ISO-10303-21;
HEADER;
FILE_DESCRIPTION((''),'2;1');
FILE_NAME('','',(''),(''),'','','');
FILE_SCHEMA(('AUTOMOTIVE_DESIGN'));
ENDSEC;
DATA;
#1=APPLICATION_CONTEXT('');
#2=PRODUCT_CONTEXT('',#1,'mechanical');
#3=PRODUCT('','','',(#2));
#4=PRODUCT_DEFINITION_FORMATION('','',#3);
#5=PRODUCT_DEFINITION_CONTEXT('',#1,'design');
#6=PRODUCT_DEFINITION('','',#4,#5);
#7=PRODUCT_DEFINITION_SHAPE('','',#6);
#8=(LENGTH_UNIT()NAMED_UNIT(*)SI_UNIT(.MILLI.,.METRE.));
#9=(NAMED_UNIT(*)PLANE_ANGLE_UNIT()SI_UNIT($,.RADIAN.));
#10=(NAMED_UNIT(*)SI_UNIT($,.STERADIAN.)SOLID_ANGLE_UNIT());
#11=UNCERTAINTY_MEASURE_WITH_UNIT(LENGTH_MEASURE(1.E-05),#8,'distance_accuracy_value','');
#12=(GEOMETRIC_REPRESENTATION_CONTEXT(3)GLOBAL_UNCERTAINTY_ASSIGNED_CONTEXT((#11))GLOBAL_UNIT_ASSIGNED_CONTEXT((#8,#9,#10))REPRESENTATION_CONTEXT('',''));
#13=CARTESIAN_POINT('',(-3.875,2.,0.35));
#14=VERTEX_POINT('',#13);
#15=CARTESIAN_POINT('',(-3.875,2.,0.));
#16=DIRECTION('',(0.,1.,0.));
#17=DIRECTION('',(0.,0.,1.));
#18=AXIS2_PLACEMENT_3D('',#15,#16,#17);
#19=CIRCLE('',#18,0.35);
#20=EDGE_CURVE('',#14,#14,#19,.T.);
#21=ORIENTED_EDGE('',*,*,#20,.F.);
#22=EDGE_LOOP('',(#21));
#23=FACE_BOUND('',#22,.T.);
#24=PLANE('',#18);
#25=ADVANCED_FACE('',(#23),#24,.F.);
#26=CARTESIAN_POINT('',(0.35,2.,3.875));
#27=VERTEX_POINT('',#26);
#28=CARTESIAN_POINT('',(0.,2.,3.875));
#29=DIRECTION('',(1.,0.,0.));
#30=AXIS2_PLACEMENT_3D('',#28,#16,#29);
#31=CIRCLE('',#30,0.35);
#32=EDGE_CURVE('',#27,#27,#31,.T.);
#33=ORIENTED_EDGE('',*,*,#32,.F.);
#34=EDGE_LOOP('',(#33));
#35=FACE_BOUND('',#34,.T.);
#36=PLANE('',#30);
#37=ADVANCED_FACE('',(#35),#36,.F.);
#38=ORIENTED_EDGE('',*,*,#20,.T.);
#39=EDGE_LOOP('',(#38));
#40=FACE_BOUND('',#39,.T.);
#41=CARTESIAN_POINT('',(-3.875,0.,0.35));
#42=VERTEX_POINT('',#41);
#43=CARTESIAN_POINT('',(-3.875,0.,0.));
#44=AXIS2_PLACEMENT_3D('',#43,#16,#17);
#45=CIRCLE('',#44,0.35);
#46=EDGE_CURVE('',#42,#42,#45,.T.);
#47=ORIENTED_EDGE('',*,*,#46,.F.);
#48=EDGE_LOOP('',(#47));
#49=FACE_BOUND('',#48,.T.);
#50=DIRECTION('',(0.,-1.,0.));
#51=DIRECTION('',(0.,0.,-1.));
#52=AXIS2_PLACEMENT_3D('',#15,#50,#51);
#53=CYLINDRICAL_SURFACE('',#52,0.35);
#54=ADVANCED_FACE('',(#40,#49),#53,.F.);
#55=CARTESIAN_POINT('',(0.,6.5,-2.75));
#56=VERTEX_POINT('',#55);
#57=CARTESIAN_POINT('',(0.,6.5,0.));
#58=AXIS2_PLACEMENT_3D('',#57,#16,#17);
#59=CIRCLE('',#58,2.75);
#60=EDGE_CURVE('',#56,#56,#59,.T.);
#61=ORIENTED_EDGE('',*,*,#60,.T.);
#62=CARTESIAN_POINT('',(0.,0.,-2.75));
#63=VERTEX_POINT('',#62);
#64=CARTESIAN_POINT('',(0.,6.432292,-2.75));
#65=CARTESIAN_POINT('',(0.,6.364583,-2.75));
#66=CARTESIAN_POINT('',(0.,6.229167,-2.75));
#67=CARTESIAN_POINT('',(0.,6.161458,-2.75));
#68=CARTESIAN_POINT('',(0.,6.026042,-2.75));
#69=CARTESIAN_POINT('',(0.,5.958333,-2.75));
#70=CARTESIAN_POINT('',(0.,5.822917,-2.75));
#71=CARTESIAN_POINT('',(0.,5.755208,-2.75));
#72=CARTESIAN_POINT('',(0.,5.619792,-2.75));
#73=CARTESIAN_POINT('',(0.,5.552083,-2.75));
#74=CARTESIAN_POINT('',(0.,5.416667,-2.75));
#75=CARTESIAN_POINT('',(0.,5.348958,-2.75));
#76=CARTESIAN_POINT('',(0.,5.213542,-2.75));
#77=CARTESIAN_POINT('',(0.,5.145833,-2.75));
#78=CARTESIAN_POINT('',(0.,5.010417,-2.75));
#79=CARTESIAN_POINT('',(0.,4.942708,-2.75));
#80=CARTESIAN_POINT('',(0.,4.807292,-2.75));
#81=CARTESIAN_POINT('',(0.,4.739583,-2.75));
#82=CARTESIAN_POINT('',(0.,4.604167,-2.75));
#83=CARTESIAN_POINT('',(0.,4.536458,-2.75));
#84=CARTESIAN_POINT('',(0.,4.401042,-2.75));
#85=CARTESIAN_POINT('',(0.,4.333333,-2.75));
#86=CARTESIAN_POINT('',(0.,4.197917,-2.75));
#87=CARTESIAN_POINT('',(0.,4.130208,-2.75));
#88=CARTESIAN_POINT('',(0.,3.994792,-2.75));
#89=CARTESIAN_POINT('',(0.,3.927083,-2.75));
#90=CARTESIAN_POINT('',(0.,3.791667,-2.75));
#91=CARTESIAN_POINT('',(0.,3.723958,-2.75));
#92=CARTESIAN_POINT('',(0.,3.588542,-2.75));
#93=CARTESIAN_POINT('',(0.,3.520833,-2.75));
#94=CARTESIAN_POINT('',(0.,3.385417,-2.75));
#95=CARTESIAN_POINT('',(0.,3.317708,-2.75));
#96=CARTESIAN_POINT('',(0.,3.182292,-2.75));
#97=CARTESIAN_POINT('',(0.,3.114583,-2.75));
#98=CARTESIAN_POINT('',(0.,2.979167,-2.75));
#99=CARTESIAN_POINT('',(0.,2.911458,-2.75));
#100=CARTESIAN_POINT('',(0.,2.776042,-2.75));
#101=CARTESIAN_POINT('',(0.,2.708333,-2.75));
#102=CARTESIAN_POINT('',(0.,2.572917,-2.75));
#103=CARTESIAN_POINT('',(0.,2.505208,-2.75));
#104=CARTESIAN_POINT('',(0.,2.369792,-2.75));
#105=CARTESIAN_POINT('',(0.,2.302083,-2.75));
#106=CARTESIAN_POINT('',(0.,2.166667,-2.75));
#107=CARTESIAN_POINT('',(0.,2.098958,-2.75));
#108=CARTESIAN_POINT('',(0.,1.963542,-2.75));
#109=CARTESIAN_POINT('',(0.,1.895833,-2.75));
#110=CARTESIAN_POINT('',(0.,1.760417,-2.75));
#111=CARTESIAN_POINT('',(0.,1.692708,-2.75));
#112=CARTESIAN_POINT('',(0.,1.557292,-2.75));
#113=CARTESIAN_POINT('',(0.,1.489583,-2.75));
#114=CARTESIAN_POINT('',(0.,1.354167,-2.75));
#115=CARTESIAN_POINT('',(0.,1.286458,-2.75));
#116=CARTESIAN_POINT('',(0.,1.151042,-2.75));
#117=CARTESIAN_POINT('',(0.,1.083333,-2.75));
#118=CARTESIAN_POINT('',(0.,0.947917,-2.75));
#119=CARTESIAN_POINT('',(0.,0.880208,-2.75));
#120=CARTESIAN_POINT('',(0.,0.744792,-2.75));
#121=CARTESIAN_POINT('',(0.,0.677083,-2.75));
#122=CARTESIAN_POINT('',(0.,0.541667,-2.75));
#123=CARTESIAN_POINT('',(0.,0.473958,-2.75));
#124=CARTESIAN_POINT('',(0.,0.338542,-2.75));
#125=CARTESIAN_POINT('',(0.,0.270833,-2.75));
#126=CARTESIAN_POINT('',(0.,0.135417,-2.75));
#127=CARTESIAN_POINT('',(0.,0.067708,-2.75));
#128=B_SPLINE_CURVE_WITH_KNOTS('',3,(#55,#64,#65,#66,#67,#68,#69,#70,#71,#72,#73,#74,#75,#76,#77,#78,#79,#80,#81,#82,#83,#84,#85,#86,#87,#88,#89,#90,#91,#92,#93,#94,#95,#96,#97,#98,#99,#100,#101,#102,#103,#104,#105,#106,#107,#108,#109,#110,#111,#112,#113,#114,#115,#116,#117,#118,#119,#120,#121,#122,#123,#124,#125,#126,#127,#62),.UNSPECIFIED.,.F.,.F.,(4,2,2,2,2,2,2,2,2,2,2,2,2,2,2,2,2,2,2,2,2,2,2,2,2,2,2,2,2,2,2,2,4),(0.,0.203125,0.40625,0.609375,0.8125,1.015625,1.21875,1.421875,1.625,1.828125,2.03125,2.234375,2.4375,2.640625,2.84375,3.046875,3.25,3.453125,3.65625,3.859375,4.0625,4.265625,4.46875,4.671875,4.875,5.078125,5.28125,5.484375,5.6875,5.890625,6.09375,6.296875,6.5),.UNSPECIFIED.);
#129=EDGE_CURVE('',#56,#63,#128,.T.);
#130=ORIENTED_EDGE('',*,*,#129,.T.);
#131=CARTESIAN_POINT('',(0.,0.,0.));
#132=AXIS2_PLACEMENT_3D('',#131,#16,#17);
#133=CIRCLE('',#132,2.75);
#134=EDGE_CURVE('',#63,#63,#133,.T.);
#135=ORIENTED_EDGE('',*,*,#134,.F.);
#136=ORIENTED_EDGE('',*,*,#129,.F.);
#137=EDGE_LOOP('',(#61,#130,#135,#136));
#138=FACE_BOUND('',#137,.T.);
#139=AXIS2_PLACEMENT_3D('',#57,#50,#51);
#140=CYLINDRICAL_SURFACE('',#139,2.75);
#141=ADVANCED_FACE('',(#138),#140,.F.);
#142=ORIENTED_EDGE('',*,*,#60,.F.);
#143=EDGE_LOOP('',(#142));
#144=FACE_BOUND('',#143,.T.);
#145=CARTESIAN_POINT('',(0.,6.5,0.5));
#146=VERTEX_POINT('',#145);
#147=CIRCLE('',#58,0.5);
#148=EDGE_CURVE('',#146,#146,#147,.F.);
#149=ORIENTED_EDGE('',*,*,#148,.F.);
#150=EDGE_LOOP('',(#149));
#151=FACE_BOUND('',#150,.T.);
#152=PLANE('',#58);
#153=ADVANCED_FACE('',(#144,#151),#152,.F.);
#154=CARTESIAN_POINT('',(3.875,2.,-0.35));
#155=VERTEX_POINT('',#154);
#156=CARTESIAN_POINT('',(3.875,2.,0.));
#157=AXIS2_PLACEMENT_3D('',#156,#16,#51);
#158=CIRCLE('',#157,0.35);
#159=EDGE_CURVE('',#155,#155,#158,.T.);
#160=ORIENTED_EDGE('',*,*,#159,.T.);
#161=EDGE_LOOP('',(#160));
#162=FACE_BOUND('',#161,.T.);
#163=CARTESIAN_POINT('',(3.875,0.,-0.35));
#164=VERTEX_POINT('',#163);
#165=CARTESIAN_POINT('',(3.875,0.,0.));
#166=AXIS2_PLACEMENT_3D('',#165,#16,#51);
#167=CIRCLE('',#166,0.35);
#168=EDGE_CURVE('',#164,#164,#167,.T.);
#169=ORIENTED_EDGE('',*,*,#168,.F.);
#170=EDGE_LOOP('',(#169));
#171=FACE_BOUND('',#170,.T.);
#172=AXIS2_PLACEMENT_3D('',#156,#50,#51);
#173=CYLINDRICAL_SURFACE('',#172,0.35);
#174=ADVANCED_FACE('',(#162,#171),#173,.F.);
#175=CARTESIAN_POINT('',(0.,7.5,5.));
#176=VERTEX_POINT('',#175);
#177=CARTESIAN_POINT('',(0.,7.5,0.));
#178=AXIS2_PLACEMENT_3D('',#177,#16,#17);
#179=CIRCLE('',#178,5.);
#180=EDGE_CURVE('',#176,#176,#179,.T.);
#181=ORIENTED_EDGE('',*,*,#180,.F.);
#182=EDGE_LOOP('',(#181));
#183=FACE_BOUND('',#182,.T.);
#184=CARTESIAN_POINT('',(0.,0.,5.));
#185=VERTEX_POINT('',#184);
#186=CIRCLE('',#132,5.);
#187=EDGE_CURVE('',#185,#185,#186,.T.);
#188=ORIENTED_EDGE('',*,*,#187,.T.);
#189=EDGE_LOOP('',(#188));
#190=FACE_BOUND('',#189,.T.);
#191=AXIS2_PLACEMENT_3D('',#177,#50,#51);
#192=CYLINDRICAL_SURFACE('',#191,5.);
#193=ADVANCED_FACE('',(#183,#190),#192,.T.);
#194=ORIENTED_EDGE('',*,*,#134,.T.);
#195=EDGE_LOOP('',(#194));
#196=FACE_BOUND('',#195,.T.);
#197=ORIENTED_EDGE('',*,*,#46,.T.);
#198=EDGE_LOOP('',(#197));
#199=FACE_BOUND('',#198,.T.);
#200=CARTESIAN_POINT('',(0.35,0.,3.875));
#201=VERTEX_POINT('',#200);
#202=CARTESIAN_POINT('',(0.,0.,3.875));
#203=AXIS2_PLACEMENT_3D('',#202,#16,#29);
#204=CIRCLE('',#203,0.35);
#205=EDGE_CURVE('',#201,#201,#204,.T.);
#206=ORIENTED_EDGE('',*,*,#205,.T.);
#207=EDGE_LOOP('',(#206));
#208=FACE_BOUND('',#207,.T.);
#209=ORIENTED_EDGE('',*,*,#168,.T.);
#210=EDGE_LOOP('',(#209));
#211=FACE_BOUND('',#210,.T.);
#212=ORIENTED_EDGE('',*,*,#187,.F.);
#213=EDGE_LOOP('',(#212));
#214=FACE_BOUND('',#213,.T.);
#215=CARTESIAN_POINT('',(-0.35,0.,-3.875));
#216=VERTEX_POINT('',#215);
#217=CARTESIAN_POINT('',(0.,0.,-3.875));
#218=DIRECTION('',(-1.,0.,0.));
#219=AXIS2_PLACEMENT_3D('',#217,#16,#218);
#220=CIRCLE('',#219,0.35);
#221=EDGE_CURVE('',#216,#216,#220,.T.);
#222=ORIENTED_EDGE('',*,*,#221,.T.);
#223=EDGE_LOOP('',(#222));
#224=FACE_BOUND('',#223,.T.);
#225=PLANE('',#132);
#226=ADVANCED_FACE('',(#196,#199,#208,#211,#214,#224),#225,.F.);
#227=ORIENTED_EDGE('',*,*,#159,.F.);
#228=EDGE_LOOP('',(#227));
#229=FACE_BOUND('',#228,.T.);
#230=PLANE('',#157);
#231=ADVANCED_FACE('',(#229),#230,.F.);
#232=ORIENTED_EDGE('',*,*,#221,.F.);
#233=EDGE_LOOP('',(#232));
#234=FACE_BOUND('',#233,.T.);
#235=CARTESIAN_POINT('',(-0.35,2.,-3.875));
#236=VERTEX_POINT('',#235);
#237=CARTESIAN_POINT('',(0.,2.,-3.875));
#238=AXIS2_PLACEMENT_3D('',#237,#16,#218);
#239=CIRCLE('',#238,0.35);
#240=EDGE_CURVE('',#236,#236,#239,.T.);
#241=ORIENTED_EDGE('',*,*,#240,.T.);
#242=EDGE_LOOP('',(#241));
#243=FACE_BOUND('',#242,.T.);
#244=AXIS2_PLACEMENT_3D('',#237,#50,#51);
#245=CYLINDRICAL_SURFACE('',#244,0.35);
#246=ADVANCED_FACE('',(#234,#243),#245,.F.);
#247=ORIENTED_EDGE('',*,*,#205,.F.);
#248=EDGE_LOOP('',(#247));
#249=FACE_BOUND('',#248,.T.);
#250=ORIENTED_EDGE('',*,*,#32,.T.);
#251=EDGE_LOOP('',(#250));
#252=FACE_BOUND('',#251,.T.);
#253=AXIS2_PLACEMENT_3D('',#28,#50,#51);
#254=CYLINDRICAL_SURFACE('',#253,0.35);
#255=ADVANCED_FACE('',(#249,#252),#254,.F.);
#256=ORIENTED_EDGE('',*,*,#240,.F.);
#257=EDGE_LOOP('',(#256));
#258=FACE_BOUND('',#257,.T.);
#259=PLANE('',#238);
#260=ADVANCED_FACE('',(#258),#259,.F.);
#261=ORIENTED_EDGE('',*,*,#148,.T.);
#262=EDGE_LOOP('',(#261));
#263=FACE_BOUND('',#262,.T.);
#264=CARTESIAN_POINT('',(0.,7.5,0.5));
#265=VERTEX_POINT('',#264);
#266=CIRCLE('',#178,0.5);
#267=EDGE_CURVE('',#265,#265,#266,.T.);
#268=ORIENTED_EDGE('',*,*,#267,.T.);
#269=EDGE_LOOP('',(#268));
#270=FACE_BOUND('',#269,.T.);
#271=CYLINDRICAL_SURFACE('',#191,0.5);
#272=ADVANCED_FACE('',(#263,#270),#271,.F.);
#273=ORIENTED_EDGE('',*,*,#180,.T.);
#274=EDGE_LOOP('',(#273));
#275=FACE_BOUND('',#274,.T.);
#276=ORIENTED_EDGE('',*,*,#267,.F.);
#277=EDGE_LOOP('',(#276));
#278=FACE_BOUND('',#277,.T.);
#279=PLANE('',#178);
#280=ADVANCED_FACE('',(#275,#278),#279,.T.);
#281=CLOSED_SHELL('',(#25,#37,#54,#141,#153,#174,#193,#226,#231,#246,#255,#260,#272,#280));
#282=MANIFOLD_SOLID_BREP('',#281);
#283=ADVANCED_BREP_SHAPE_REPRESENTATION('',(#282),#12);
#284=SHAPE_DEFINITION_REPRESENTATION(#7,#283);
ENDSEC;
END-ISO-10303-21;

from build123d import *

# Parameters (mm, degrees)
SKETCH_1_R               = 5
EXTRUDE_1_DEPTH          = 7.5
SKETCH_1_5_R             = 2.75
CUT_EXTRUDE_1_DEPTH      = 6.5
SKETCH_1_6_R             = 0.5
CUT_EXTRUDE_2_DEPTH      = 11.307764064
SKETCH_1_7_R             = 0.35
CUT_EXTRUDE_3_DEPTH      = 2
PATTERN_CIRCULAR_1_COUNT = 4


with BuildPart() as part:
    # 草图1 → 凸台-拉伸1 (new body)
    with BuildSketch(Plane(origin=(0, 0, 0), x_dir=(1, 0, 0), z_dir=(0, 1, 0))):
        Circle(SKETCH_1_R)
    extrude(amount=EXTRUDE_1_DEPTH)

    # 草图1<5> → 切除-拉伸1 (cut)
    with BuildSketch(Plane(origin=(0, 0, 0), x_dir=(1, 0, 0), z_dir=(0, 1, 0))):
        Circle(SKETCH_1_5_R)
    extrude(amount=CUT_EXTRUDE_1_DEPTH, mode=Mode.SUBTRACT)

    # 草图1<6> → 切除-拉伸2 (cut, through all)
    with BuildSketch(Plane(origin=(0, 0, 0), x_dir=(1, 0, 0), z_dir=(0, 1, 0))):
        Circle(SKETCH_1_6_R)
    extrude(amount=CUT_EXTRUDE_2_DEPTH, mode=Mode.SUBTRACT)

    # 草图1<7> → 切除-拉伸3 (cut)
    with BuildSketch(Plane(origin=(0, 0, 0), x_dir=(1, 0, 0), z_dir=(0, 1, 0))):
        with Locations((-3.875, 0)):
            Circle(SKETCH_1_7_R)
    cut_extrude_3 = extrude(amount=CUT_EXTRUDE_3_DEPTH, mode=Mode.SUBTRACT)

    # 阵列(圆周)1: 切除-拉伸3 ×4 about axis
    pattern_circular_1_axis = Axis((0, 7.5, 0), (0, -1, 0))
    for i in range(1, PATTERN_CIRCULAR_1_COUNT):
        add(cut_extrude_3.rotate(pattern_circular_1_axis, i * 360 / PATTERN_CIRCULAR_1_COUNT), mode=Mode.SUBTRACT)


solid = part.part
